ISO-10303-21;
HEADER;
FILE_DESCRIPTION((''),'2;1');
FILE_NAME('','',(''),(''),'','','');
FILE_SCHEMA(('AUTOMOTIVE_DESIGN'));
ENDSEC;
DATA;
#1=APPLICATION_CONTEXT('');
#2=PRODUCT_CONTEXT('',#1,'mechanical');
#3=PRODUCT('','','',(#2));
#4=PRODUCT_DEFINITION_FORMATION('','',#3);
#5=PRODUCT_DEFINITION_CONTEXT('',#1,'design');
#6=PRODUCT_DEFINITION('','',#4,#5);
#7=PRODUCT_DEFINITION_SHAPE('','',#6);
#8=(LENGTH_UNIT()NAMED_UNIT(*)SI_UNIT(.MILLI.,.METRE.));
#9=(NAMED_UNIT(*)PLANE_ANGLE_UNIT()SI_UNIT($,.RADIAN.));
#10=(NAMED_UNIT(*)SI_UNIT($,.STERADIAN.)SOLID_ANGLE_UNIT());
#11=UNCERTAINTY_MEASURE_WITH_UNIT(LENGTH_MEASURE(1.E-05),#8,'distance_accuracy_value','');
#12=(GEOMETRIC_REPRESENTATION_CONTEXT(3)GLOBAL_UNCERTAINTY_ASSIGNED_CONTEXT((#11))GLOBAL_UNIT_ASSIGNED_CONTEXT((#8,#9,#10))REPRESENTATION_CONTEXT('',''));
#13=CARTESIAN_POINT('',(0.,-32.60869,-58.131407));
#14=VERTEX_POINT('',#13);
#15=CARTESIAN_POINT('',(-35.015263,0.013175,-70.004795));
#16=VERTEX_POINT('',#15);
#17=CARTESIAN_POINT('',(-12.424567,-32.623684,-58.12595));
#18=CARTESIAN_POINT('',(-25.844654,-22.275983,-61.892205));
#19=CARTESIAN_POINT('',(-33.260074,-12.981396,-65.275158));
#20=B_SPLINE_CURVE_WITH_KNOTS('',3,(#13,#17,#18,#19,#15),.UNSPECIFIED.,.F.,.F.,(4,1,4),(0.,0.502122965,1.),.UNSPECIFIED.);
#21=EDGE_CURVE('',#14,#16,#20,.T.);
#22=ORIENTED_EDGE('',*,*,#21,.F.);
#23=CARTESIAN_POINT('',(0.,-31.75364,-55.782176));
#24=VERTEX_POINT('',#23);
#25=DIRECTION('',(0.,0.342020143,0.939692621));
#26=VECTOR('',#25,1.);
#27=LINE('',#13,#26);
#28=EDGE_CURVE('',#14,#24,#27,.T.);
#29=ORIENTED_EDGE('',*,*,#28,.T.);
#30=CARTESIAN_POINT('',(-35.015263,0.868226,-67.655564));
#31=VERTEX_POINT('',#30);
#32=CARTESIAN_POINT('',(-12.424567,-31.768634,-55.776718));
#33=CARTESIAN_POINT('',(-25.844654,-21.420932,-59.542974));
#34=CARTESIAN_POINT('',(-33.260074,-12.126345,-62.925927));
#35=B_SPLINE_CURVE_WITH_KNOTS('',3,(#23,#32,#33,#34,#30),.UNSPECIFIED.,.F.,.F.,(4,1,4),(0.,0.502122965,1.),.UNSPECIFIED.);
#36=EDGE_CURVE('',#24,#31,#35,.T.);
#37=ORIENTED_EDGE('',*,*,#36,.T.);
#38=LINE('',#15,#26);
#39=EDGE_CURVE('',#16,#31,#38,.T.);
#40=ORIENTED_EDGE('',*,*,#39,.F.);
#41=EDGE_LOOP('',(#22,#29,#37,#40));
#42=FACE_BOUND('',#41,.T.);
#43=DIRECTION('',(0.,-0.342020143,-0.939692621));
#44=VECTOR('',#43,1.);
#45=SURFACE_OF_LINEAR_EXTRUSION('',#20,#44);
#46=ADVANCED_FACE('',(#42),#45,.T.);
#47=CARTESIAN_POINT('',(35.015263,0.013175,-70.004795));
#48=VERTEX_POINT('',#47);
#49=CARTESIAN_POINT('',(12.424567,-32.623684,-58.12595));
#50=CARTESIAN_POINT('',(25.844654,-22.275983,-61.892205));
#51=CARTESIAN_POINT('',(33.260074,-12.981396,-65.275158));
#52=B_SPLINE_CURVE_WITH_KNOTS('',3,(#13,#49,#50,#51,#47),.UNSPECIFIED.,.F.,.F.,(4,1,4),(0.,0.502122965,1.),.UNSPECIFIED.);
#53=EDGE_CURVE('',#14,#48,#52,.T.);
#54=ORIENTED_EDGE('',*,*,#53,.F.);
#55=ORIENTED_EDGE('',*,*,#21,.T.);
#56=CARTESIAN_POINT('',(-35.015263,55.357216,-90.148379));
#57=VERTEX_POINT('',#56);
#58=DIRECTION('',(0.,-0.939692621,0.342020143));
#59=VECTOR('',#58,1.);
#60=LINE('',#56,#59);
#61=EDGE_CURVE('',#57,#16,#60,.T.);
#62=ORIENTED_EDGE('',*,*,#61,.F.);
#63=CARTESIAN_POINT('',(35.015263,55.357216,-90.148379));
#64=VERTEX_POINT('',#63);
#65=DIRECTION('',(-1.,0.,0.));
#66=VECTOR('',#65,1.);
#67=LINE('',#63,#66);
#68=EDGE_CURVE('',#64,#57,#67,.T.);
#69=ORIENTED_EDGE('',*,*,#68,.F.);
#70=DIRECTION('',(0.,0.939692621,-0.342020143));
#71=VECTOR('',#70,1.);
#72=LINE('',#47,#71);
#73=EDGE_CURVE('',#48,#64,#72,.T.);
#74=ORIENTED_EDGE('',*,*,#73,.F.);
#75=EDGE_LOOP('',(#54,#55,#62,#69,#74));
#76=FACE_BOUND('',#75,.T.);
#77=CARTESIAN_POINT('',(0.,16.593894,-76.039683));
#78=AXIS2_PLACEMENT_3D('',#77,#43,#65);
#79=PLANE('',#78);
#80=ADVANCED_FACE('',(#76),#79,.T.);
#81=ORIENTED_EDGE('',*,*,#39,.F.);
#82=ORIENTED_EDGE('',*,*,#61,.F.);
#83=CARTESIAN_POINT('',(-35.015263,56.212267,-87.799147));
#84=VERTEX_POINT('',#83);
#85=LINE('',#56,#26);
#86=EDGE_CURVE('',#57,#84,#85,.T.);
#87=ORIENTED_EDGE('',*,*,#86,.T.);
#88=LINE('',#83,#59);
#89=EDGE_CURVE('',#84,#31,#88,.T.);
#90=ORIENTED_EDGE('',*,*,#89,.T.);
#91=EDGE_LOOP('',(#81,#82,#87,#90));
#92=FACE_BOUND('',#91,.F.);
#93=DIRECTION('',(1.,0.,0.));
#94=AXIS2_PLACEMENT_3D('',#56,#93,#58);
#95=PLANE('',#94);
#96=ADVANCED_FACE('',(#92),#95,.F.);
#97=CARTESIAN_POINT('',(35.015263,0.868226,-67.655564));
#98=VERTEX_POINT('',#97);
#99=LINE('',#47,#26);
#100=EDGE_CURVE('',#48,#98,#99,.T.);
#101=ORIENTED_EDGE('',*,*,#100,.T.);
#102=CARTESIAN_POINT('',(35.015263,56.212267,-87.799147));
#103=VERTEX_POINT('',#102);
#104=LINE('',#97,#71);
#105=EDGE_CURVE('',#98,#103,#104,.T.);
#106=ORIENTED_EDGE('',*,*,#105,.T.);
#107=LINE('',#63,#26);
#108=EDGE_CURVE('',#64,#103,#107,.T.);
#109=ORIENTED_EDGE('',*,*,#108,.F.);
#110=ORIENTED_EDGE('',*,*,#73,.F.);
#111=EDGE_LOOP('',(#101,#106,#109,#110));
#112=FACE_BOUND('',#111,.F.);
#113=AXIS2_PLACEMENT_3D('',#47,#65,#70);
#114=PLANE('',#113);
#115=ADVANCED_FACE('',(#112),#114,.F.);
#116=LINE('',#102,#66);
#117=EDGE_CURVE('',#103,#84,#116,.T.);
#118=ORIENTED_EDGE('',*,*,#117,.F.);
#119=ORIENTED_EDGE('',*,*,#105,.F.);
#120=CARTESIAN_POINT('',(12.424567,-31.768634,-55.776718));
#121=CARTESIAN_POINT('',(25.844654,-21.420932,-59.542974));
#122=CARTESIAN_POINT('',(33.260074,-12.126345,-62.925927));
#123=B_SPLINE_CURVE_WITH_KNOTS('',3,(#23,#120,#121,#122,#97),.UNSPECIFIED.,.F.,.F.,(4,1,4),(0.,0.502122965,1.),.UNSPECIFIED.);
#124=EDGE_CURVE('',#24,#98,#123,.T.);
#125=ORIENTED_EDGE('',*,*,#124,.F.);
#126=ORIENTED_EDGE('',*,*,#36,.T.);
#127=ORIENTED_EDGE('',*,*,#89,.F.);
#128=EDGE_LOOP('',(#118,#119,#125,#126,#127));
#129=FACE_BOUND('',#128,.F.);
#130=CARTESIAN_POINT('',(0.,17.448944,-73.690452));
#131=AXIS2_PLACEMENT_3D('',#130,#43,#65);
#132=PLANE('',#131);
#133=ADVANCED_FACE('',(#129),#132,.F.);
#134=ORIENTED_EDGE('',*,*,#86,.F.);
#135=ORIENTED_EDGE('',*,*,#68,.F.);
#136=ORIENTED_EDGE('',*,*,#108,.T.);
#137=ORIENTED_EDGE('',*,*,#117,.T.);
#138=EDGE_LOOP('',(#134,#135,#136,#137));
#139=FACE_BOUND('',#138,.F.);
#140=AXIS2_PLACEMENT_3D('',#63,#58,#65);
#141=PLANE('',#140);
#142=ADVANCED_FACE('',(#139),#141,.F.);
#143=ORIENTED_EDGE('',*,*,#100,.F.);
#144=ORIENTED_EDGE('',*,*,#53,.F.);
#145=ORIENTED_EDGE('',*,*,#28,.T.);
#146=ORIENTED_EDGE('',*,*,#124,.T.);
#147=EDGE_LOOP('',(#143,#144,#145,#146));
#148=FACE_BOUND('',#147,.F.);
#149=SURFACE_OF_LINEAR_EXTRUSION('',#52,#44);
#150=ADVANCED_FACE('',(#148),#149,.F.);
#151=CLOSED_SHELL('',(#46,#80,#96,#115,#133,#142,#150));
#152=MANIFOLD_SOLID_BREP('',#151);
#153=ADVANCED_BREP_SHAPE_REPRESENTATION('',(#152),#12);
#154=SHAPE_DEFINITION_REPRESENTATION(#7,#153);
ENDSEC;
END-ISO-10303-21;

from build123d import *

# Parameters (mm, degrees)
F6_DEPTH = 2.5


with BuildPart() as f6:
    # F5 (on line) → F6 (new body)
    with BuildSketch(Plane(origin=(0, -22.497566339, -61.8115555092), x_dir=(1, 0, 0), z_dir=(0, 0.3420201433, 0.9396926208))):
        with BuildLine():
            add(Edge.make_bspline(
                [(0, -10.7600335032), (-12.424566783, -10.7759898528), (-25.8446539441, 0.2358042705), (-33.2600735128, 10.1268971339), (-35.0152626634, 23.9554308355)],
                knots=[0, 0, 0, 0, 0.5021229649, 1, 1, 1, 1], degree=3))
            add(Edge.make_bspline(
                [(0, -10.7600335032), (12.424566783, -10.7759898528), (25.8446539441, 0.2358042705), (33.2600735128, 10.1268971339), (35.0152626634, 23.9554308355)],
                knots=[0, 0, 0, 0, 0.5021229649, 1, 1, 1, 1], degree=3))
            Line((35.0152626634, 23.9554308355), (35.0152626634, 82.8513292865))
            Line((35.0152626634, 82.8513292865), (-35.0152626634, 82.8513292865))
            Line((-35.0152626634, 82.8513292865), (-35.0152626634, 23.9554308355))
        make_face()
    extrude(amount=F6_DEPTH)


solid = f6.part
